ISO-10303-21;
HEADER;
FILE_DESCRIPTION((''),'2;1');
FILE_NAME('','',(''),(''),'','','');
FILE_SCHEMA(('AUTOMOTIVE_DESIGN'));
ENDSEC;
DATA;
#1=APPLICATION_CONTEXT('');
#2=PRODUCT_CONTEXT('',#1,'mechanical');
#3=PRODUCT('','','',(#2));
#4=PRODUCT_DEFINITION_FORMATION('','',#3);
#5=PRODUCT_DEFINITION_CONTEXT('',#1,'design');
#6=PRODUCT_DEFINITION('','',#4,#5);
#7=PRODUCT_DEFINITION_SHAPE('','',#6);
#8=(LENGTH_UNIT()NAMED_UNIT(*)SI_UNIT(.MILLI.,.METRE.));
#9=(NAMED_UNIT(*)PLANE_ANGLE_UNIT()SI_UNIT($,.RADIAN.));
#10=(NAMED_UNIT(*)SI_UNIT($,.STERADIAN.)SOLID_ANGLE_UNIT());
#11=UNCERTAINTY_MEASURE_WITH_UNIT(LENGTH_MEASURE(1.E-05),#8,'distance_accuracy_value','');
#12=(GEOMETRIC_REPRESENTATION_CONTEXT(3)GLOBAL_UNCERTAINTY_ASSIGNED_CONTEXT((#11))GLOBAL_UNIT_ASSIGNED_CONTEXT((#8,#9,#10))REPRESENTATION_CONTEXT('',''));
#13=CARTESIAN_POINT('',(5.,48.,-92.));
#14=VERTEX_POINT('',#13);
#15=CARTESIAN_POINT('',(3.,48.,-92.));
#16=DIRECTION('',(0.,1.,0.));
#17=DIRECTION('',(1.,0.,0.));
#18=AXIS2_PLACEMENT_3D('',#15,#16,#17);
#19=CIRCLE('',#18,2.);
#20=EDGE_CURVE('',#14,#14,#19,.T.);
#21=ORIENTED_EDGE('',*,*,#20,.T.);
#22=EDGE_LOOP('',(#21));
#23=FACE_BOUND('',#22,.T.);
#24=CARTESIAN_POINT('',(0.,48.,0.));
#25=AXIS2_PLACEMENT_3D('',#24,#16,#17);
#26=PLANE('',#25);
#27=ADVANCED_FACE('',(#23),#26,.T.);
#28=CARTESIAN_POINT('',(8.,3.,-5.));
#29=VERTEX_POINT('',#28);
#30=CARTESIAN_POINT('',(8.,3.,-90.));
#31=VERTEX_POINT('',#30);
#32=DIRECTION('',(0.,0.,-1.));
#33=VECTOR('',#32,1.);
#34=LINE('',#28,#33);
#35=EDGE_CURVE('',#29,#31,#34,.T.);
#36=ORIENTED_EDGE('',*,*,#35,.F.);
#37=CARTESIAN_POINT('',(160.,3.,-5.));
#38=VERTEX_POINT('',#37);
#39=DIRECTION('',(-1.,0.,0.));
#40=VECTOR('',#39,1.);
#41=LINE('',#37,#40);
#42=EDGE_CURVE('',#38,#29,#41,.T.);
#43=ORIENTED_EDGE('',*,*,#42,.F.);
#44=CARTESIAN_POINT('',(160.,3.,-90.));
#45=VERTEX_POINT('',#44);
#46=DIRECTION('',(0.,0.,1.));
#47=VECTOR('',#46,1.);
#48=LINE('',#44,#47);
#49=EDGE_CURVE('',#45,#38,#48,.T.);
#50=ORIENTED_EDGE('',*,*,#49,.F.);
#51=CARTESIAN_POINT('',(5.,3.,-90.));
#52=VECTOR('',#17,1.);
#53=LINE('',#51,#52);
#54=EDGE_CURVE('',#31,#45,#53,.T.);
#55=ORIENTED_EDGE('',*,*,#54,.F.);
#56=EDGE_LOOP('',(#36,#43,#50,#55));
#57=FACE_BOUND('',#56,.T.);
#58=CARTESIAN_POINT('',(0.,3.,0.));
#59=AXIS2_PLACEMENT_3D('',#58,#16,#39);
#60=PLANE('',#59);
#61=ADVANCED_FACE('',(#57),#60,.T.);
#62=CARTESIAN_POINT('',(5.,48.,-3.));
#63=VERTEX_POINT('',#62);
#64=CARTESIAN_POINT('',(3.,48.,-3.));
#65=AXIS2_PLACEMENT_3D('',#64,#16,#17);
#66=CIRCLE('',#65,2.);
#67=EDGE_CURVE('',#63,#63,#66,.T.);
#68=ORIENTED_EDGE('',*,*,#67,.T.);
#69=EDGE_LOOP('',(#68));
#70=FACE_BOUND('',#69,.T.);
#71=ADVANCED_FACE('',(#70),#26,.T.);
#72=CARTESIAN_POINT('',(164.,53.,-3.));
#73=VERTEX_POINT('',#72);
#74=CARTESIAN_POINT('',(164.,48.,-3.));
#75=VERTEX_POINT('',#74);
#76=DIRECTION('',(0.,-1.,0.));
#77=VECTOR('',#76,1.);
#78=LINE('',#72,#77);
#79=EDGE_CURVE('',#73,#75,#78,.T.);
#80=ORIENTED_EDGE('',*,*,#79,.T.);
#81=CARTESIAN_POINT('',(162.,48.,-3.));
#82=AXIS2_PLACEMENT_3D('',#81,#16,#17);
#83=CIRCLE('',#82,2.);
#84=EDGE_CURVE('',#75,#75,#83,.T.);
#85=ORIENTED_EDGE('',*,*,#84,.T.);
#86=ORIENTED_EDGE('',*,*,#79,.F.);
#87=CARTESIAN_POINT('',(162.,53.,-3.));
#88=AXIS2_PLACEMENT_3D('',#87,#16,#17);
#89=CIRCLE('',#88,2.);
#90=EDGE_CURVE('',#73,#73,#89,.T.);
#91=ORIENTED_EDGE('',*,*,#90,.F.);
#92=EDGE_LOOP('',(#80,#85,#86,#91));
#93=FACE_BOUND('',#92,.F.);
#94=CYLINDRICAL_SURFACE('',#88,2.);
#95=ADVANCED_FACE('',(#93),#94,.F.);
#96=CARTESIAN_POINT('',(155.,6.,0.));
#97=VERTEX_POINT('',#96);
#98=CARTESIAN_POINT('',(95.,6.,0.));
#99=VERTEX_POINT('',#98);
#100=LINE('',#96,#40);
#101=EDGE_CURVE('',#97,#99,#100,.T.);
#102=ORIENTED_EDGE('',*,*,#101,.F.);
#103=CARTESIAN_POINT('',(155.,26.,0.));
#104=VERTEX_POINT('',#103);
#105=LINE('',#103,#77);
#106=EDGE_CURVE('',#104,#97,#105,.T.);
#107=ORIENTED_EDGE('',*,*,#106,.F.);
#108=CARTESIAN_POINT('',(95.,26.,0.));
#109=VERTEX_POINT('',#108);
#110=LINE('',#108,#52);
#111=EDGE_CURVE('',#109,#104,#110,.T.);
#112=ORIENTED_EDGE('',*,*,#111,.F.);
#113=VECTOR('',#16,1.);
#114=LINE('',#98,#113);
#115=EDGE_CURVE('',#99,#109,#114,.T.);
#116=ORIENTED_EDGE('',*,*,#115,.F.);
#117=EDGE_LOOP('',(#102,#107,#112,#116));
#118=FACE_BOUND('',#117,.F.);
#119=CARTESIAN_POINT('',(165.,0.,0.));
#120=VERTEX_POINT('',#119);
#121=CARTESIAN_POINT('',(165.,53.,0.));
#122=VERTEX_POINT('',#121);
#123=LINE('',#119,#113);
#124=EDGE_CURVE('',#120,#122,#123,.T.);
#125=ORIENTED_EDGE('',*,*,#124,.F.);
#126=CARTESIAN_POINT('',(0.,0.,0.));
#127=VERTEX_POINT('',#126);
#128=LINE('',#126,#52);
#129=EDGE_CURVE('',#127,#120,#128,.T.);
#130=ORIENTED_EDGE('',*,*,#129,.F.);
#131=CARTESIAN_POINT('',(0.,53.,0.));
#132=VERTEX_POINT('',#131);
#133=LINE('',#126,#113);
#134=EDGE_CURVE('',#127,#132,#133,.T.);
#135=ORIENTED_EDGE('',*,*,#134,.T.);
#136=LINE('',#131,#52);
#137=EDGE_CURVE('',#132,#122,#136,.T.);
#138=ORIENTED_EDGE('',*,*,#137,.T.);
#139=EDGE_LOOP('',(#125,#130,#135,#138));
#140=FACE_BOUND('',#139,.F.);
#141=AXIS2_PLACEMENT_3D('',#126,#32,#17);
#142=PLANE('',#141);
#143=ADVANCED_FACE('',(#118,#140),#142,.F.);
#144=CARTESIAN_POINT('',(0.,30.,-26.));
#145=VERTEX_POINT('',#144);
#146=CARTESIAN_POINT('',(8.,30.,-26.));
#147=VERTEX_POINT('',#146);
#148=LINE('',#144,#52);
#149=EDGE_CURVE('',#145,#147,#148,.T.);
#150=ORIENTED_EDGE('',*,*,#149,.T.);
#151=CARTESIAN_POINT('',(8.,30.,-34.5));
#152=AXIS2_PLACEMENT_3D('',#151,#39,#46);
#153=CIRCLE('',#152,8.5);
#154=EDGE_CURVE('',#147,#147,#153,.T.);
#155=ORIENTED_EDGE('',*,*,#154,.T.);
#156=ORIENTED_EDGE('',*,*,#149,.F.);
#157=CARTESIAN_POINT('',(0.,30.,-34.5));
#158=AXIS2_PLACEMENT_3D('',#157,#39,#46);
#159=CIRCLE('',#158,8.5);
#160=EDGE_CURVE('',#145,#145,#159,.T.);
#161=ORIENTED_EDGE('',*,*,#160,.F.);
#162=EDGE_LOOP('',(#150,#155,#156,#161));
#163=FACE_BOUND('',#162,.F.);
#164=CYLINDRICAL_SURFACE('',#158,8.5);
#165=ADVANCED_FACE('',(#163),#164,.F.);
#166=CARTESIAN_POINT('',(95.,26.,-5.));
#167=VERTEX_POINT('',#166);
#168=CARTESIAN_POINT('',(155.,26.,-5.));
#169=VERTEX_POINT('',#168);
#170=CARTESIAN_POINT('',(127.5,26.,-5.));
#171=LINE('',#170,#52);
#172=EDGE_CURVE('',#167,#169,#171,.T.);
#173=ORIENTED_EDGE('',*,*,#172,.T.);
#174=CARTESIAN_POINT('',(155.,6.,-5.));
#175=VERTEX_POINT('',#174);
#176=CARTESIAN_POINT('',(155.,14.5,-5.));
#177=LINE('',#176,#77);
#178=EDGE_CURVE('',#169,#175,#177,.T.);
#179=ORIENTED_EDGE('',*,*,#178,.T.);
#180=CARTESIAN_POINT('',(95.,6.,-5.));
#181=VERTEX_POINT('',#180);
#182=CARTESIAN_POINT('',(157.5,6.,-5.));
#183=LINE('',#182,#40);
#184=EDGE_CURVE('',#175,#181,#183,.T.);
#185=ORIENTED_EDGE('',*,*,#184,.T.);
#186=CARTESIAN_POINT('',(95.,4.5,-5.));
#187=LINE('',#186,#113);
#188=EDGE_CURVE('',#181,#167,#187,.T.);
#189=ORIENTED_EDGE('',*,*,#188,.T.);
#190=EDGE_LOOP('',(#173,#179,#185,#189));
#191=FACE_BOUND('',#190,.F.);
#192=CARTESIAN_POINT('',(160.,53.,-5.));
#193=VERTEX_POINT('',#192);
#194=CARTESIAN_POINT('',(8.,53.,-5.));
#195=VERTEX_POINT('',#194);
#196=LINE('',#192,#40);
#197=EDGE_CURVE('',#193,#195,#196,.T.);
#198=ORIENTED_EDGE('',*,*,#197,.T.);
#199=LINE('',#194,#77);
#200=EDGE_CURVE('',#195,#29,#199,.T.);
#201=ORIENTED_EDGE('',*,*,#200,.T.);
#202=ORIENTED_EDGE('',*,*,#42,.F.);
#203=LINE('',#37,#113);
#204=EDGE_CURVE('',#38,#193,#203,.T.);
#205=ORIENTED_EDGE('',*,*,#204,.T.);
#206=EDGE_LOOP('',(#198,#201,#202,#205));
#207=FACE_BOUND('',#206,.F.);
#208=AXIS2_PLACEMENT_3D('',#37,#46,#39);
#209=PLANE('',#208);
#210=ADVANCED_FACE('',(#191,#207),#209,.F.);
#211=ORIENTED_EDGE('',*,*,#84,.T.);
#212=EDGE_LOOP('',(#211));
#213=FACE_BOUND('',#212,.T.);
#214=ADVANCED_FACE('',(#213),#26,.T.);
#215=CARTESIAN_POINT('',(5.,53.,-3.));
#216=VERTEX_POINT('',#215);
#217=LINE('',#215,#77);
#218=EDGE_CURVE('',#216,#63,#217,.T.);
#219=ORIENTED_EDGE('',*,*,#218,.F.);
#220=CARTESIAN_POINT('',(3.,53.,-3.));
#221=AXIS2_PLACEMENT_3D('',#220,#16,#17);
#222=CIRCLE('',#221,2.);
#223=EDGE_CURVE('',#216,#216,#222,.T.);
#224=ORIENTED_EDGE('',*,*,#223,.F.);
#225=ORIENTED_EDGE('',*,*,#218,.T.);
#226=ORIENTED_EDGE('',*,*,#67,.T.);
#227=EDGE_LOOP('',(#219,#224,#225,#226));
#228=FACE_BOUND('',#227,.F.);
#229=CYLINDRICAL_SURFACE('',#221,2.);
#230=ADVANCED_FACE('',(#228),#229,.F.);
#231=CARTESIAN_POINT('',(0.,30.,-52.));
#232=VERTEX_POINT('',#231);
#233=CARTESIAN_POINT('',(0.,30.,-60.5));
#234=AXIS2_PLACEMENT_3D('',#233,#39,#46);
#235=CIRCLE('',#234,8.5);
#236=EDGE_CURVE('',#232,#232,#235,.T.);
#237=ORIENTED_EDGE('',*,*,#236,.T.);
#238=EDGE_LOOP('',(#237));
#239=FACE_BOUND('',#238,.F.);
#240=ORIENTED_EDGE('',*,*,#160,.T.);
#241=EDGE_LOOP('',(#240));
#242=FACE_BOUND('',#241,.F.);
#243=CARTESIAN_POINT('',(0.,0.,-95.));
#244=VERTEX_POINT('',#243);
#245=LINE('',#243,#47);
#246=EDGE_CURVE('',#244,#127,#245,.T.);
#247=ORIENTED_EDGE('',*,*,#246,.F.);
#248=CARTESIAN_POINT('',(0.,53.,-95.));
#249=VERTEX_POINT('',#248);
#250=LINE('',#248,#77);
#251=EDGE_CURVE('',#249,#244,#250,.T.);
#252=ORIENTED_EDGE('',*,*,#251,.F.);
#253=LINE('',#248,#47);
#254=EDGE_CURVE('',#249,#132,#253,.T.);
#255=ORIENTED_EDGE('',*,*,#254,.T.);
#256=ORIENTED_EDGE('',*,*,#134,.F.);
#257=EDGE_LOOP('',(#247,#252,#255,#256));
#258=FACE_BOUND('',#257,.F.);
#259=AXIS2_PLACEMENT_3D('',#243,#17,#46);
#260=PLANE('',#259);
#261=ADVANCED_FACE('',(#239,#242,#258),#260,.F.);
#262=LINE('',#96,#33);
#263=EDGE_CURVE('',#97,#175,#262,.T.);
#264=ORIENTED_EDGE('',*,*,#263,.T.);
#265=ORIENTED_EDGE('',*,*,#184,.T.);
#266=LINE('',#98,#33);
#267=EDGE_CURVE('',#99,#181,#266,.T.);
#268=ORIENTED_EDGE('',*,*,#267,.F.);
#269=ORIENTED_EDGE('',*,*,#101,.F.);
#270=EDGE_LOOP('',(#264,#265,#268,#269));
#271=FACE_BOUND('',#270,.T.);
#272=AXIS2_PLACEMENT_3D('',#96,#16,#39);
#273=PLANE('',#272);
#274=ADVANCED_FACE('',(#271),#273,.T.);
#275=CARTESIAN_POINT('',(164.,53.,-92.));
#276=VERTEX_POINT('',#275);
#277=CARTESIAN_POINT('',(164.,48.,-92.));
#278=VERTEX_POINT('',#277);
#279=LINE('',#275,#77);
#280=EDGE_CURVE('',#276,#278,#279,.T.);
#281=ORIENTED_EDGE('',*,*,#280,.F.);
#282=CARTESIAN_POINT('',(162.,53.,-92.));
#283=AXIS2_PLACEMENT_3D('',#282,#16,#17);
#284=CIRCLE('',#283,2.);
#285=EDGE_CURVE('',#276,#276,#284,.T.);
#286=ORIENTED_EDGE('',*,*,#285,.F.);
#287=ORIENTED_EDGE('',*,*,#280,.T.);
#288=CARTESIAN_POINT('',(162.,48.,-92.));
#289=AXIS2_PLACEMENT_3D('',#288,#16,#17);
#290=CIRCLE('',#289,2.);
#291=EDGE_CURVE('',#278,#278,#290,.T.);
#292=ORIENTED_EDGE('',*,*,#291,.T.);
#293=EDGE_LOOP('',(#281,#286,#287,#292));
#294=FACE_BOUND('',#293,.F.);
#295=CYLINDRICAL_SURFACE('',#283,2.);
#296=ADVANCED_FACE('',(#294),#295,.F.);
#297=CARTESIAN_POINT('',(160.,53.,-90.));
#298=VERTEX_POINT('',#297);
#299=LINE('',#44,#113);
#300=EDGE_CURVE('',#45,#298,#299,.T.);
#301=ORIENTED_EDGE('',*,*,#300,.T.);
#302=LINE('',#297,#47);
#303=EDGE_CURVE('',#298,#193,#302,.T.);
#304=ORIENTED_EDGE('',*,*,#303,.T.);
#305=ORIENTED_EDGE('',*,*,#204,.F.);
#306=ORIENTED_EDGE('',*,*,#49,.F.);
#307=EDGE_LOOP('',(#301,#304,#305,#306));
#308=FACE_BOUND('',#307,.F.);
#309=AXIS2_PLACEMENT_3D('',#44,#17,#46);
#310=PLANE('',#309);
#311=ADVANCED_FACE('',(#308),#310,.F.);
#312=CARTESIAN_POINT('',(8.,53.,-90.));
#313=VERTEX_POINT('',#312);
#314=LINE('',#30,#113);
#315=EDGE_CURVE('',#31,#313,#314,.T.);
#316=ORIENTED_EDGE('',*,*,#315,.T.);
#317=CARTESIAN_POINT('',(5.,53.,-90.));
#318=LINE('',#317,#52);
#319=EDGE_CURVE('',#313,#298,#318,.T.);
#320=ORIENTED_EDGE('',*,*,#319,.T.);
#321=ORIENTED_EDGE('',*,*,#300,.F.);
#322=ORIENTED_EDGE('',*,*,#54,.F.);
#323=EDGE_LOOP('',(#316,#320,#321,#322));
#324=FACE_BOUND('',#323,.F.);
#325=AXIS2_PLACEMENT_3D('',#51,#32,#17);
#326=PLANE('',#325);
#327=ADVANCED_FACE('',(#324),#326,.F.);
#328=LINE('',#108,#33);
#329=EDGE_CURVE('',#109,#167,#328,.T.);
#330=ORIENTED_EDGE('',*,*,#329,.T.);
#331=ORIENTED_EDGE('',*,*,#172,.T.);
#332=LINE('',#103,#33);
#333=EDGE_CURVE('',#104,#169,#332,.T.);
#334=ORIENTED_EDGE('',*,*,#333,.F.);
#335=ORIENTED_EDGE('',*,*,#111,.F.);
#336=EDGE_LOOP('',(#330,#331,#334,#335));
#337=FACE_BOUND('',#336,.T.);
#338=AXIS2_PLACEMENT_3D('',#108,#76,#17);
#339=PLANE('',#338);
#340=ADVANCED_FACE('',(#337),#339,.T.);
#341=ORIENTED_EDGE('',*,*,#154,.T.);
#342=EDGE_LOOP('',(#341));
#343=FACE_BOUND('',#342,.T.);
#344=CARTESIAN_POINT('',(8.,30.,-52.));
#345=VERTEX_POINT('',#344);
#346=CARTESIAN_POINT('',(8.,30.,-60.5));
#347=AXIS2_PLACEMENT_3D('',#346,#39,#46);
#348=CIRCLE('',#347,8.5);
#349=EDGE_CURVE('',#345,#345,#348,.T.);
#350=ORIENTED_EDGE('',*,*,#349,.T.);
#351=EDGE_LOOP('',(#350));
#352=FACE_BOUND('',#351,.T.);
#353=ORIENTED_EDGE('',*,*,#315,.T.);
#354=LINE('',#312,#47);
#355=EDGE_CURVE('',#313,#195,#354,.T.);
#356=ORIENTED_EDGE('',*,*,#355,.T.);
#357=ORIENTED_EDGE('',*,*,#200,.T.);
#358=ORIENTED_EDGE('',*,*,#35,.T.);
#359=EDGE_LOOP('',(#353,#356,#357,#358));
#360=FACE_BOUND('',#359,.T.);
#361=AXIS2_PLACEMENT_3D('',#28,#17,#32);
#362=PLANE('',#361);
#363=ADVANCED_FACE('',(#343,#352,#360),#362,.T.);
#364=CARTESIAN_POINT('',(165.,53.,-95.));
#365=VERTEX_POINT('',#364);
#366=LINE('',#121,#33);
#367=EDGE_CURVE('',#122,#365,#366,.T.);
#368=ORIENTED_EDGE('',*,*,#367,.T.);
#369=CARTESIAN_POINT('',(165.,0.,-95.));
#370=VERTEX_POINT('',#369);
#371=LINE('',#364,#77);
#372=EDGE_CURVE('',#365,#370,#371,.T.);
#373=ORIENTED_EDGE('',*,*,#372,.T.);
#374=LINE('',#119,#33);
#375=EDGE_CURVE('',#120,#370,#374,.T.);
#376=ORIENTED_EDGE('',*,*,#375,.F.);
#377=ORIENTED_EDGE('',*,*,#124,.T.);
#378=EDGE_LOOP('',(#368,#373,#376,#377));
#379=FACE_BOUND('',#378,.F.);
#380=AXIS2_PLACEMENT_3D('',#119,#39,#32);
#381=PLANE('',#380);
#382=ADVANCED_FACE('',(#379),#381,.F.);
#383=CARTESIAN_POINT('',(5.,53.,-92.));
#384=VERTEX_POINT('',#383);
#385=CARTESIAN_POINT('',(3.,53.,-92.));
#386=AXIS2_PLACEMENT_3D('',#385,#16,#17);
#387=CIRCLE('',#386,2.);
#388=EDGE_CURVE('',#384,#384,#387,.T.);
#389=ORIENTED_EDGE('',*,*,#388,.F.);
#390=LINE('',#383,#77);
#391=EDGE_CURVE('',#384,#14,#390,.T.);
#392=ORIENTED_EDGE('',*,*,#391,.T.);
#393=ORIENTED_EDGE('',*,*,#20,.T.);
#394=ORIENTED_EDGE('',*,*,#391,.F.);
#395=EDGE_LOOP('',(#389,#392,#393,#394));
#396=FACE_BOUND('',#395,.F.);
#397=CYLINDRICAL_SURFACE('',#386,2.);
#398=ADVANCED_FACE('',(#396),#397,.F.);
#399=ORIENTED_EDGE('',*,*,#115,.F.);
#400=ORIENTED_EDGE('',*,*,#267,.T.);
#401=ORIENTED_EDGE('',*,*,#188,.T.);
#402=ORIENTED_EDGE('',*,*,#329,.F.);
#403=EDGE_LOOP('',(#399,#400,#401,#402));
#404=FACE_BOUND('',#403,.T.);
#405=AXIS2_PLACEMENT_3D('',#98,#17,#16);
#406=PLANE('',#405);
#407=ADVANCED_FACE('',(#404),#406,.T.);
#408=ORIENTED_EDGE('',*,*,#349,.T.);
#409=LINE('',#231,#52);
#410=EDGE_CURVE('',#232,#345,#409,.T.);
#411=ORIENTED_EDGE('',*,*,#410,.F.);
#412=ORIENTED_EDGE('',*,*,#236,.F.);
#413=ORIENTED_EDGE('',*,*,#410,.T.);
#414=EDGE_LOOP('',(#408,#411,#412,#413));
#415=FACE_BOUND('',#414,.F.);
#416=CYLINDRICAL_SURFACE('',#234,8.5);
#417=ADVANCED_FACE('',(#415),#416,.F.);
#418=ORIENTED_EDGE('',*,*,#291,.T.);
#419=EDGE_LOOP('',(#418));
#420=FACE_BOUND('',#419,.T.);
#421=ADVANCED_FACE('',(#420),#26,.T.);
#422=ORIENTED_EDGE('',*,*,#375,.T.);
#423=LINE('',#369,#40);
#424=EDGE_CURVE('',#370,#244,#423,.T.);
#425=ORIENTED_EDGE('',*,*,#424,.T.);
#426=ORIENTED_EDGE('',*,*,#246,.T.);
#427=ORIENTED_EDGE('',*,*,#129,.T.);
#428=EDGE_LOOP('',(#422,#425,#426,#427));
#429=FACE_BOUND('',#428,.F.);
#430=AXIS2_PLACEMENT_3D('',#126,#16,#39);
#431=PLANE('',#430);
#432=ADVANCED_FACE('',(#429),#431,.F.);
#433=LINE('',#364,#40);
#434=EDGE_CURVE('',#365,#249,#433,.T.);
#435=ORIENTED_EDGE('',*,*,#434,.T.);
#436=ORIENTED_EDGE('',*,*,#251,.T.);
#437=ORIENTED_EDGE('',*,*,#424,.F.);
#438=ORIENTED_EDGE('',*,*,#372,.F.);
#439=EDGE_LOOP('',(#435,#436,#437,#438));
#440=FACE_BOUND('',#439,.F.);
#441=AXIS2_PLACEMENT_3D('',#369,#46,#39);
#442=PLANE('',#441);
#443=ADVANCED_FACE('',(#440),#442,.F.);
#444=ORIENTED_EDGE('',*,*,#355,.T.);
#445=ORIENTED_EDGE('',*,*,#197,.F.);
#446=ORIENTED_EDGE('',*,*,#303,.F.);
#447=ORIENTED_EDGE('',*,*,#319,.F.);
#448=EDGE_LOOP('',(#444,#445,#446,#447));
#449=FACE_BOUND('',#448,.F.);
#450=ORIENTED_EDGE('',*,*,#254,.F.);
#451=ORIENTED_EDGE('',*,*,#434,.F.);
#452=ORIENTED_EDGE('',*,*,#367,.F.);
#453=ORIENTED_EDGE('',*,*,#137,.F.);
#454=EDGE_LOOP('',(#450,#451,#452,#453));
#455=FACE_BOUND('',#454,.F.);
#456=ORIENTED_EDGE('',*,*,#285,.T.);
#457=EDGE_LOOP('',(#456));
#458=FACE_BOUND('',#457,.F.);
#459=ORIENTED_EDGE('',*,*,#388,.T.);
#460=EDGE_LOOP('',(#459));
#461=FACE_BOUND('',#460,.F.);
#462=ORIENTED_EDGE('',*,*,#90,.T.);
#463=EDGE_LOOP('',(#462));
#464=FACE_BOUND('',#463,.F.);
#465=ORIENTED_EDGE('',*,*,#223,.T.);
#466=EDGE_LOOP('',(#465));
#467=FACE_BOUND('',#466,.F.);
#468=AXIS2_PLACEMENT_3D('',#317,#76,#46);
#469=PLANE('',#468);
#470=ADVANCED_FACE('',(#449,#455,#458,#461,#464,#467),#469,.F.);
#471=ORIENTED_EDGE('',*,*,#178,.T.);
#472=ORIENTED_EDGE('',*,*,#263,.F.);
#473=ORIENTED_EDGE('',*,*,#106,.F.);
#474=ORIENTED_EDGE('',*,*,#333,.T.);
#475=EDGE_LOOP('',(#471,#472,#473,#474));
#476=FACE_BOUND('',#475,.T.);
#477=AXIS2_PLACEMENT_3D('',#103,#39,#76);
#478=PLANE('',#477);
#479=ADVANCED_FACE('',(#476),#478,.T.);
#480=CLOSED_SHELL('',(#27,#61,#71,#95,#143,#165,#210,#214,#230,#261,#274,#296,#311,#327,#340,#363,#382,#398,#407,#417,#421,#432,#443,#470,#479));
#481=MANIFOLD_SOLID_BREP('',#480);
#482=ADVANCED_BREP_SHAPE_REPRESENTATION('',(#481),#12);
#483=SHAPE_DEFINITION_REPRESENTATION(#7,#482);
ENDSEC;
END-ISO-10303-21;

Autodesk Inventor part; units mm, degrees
ref_plane "YZ Plane" through (0, 0, 0) normal (1, 0, 0) x (0, 1, 0)
ref_plane "XZ Plane" through (0, 0, 0) normal (0, 1, 0) x (-1, 0, 0)
ref_plane "XY Plane" through (0, 0, 0) normal (0, 0, 1) x (1, 0, 0)
sketch "草圖2" plane through (0, 0, 0) normal (0, 1, 0) x (-1, 0, 0)
  line L0 (0, 0) -> (-165, 0)
  line L1 (-165, 0) -> (-165, -95)
  line L2 (-165, -95) -> (0, -95)
  line L3 (0, -95) -> (0, 0)
  dimension "d1" = 95
  dimension "d2" = 165
extrude "擠出1" add sketch "草圖2" along normal blind 3
sketch "草圖3" plane through (0, 3, 0) normal (0, 1, 0) x (1, 0, 0)
  line L0 (5, 90) -> (160, 90)
  line L1 (160, 90) -> (160, 5)
  line L2 (160, 5) -> (5, 5)
  line L3 (5, 5) -> (5, 90)
  line L4 (165, 95) -> (0, 95) projected
  line L5 (165, 0) -> (165, 95) projected
  line L6 (0, 0) -> (165, 0) projected
  line L7 (0, 95) -> (0, 0) projected
  dimension "d5" = 5
  dimension "d6" = 5
  dimension "d7" = 5
  dimension "d8" = 5
extrude "擠出2" add sketch "草圖3" along normal blind 50
sketch "草圖4" plane through (0, 53, 0) normal (0, 1, 0) x (1, 0, 0)
  circle A0 centre (3, 92) radius 2
  line L0 (165, 95) -> (0, 95) projected
  line L1 (0, 95) -> (0, 0) projected
  circle A1 centre (3, 3) radius 2
  line L2 (0, 0) -> (165, 0) projected
  circle A2 centre (162, 3) radius 2
  line L3 (165, 0) -> (165, 95) projected
  circle A3 centre (162, 92) radius 2
  dimension "d11" = 4
  dimension "d12" = 3
  dimension "d13" = 3
  dimension "d14" = 4
  dimension "d15" = 3
  dimension "d16" = 3
  dimension "d17" = 4
  dimension "d18" = 3
  dimension "d19" = 3
  dimension "d20" = 4
  dimension "d21" = 3
  dimension "d22" = 3
extrude "擠出3" cut sketch "草圖4" against normal blind 5 contours A0 | A1 | A2 | A3
sketch "草圖7" plane through (5, 3, -5) normal (1, 0, 0) x (0, 0, -1)
  line L0 (85, 50) -> (0, 50)
  line L1 (0, 50) -> (0, 0)
  line L2 (0, 0) -> (85, 0)
  line L3 (85, 0) -> (85, 50)
  line L4 (0, 50) -> (85, 50) projected
  line L5 (85, 0) -> (85, 50) projected
  line L6 (85, 0) -> (0, 0) projected
  line L7 (0, 0) -> (0, 50) projected
  point P0 (-5, -3)
extrude "擠出4" add sketch "草圖7" along normal blind 3
sketch "草圖8" plane through (0, 0, -95) normal (-1, 0, 0) x (0, 0, 1)
  circle A0 centre (34.5, 30) radius 8.5
  circle A1 centre (60.5, 30) radius 8.5
  line L0 (0, 0) -> (95, 0) projected
  line L1 (0, 0) -> (0, 53) projected
  dimension "d27" = 17
  dimension "d28" = 17
  dimension "d29" = 26
  dimension "d30" = 30
  dimension "d31" = 30
  dimension "d32" = 34.5
extrude "擠出5" cut sketch "草圖8" against normal blind 60
sketch "草圖9" plane through (0, 0, 0) normal (0, 0, 1) x (1, 0, 0)
  line L0 (95, 26) -> (155, 26)
  line L1 (155, 26) -> (155, 6)
  line L2 (155, 6) -> (95, 6)
  line L3 (95, 6) -> (95, 26)
  line L4 (160, 3) -> (8, 3) projected
  line L5 (165, 0) -> (165, 53) projected
  point P0 (0, 0)
  dimension "d35" = 3
  dimension "d38" = 20
  dimension "d39" = 60
  dimension "d40" = 10
extrude "擠出6" cut sketch "草圖9" against normal blind 10
